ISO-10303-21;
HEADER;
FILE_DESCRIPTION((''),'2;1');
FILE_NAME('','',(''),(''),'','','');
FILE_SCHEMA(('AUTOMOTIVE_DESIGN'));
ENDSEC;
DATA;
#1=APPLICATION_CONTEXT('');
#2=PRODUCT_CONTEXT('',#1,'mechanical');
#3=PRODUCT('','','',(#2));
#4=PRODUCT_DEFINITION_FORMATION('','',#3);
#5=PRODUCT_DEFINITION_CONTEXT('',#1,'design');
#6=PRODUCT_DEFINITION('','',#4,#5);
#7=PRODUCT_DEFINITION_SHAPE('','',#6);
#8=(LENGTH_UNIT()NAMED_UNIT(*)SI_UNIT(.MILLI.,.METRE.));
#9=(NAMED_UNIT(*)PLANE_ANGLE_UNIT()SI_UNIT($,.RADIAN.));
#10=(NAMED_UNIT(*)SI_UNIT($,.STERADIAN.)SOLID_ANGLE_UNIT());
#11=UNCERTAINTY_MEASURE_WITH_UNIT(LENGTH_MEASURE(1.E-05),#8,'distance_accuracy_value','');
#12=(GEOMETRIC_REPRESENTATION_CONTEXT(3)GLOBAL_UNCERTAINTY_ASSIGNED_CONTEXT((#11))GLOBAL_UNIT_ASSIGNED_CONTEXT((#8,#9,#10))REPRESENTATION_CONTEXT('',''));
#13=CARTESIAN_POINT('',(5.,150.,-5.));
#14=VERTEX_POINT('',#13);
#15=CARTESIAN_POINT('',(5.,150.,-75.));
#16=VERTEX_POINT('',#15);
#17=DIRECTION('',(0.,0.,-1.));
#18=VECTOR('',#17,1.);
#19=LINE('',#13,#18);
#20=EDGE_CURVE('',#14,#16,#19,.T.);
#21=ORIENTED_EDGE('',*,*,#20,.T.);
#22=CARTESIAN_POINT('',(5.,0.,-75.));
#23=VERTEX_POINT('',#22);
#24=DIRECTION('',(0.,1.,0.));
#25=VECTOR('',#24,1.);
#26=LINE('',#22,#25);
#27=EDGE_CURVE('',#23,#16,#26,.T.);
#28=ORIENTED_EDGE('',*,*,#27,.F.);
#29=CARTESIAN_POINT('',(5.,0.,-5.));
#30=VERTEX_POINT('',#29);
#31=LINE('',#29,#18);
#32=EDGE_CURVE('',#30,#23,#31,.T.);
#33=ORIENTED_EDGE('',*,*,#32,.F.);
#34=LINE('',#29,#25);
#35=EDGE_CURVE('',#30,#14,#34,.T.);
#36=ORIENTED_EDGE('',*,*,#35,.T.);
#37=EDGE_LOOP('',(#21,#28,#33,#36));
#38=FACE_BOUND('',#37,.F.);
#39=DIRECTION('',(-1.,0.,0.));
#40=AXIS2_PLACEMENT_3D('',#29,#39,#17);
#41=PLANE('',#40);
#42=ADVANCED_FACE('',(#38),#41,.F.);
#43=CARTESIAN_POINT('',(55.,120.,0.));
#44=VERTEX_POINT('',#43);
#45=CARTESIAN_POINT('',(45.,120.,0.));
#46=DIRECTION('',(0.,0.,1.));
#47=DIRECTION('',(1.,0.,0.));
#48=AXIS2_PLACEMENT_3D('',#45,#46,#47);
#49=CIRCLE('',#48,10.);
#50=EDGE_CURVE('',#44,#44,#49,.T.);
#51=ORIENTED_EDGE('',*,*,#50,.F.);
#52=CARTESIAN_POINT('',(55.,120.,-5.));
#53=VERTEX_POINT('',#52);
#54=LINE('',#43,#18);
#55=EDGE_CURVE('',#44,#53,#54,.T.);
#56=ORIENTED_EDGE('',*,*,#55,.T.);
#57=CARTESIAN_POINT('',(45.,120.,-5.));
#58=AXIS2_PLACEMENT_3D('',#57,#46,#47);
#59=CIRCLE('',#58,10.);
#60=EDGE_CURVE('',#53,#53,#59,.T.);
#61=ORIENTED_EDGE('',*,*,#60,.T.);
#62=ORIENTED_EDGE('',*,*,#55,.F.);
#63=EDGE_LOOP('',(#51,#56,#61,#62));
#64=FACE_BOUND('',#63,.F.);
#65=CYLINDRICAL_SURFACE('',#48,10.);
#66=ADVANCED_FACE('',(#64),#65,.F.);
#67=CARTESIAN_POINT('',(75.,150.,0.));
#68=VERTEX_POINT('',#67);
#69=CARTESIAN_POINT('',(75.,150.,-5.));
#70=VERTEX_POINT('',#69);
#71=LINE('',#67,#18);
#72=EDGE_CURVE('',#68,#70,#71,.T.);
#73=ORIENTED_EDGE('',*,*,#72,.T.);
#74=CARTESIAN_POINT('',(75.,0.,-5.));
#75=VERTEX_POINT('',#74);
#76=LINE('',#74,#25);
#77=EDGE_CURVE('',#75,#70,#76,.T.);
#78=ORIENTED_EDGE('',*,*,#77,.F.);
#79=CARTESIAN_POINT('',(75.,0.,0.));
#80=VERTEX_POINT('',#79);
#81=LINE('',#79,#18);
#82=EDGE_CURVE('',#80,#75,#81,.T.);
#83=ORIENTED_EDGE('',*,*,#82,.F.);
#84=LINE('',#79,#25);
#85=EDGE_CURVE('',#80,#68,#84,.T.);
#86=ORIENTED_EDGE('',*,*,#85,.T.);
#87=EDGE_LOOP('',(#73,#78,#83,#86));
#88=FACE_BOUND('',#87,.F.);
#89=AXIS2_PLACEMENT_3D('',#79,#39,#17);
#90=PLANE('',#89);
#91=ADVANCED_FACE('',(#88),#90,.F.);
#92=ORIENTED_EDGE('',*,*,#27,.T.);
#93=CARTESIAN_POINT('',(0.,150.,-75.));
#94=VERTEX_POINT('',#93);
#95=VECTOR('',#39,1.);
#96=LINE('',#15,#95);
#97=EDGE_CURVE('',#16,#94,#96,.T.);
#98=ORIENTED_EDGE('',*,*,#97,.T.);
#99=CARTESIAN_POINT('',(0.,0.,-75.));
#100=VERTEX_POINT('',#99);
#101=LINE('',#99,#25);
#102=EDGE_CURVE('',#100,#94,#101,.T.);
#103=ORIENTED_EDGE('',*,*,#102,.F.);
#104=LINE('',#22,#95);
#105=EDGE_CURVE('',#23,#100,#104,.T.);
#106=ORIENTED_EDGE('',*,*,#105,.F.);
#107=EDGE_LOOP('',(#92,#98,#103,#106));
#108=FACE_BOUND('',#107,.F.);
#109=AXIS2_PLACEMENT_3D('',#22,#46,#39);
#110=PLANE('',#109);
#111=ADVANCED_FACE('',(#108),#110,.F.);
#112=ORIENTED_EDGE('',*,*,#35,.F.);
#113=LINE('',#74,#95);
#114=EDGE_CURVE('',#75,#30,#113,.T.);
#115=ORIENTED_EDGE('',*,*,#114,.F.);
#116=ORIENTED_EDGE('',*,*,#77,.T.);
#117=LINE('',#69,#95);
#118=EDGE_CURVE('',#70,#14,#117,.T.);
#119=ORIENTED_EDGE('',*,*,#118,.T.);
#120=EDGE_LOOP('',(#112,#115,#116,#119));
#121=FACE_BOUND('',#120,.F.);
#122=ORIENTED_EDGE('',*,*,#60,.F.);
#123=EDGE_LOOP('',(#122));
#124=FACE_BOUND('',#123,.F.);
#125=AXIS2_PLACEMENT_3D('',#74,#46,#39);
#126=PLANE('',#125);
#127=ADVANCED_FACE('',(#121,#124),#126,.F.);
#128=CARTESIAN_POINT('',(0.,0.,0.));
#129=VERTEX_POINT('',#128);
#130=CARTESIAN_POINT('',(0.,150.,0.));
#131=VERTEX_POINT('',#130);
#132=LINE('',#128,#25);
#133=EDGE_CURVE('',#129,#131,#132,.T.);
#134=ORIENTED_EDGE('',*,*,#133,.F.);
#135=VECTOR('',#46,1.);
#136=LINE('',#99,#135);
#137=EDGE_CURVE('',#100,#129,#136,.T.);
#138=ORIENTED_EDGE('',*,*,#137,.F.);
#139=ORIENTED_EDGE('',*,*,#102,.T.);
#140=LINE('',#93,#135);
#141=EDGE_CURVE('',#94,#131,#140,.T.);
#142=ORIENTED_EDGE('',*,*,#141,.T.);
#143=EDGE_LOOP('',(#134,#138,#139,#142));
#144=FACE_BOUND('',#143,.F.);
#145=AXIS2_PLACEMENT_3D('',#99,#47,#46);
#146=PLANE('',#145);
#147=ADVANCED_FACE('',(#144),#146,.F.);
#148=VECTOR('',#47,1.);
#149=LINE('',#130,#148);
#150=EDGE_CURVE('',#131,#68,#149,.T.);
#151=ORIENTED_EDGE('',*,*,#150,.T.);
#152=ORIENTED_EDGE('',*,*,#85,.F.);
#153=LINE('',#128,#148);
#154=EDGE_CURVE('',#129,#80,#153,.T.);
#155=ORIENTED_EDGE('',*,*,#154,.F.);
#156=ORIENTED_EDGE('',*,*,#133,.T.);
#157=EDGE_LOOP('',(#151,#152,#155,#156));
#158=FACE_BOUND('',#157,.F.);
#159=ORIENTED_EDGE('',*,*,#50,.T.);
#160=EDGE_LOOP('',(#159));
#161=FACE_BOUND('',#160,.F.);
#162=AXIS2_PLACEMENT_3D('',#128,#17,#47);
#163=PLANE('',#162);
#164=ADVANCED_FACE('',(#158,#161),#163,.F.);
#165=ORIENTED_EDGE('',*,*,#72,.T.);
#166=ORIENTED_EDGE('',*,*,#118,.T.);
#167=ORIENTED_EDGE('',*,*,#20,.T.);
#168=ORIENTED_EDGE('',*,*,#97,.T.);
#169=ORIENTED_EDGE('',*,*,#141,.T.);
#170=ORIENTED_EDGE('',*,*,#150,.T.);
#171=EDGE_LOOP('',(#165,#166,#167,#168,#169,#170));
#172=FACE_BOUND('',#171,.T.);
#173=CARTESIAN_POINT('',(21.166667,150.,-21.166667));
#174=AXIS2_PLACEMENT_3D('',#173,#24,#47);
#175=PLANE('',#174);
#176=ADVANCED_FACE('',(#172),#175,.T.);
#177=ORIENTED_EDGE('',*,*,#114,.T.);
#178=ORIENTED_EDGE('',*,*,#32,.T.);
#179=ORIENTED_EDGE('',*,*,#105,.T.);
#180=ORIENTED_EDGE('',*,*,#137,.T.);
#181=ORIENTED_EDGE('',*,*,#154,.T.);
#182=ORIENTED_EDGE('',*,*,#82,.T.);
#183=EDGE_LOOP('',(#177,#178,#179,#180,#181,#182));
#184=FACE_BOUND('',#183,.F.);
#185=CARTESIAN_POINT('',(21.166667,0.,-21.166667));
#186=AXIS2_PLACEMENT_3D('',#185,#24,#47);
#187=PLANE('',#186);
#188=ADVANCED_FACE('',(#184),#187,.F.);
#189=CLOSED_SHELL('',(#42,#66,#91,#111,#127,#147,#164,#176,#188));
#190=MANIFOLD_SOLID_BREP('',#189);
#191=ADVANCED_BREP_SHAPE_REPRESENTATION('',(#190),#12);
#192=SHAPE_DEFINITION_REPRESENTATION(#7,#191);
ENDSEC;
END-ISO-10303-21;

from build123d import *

# Parameters (mm, degrees)
EXTRUDE_1_DEPTH     = 150
SKETCH_2_R          = 10
CUT_EXTRUDE_1_DEPTH = 76


with BuildPart() as part:
    # Эскиз1 → Вытянуть-Тонкостенный1 (new body)
    with BuildSketch(Plane(origin=(0, 0, 0), x_dir=(1, 0, 0), z_dir=(0, 1, 0))):
        Polygon((0, 75), (0, 0), (75, 0), (75, 5), (5, 5), (5, 75), align=None)
    extrude(amount=EXTRUDE_1_DEPTH)

    # Эскиз2 → Вырез-Вытянуть1 (cut, through all)
    with BuildSketch(Plane.XY):
        with Locations((45, 120)):
            Circle(SKETCH_2_R)
    extrude(amount=-CUT_EXTRUDE_1_DEPTH, mode=Mode.SUBTRACT)


solid = part.part
